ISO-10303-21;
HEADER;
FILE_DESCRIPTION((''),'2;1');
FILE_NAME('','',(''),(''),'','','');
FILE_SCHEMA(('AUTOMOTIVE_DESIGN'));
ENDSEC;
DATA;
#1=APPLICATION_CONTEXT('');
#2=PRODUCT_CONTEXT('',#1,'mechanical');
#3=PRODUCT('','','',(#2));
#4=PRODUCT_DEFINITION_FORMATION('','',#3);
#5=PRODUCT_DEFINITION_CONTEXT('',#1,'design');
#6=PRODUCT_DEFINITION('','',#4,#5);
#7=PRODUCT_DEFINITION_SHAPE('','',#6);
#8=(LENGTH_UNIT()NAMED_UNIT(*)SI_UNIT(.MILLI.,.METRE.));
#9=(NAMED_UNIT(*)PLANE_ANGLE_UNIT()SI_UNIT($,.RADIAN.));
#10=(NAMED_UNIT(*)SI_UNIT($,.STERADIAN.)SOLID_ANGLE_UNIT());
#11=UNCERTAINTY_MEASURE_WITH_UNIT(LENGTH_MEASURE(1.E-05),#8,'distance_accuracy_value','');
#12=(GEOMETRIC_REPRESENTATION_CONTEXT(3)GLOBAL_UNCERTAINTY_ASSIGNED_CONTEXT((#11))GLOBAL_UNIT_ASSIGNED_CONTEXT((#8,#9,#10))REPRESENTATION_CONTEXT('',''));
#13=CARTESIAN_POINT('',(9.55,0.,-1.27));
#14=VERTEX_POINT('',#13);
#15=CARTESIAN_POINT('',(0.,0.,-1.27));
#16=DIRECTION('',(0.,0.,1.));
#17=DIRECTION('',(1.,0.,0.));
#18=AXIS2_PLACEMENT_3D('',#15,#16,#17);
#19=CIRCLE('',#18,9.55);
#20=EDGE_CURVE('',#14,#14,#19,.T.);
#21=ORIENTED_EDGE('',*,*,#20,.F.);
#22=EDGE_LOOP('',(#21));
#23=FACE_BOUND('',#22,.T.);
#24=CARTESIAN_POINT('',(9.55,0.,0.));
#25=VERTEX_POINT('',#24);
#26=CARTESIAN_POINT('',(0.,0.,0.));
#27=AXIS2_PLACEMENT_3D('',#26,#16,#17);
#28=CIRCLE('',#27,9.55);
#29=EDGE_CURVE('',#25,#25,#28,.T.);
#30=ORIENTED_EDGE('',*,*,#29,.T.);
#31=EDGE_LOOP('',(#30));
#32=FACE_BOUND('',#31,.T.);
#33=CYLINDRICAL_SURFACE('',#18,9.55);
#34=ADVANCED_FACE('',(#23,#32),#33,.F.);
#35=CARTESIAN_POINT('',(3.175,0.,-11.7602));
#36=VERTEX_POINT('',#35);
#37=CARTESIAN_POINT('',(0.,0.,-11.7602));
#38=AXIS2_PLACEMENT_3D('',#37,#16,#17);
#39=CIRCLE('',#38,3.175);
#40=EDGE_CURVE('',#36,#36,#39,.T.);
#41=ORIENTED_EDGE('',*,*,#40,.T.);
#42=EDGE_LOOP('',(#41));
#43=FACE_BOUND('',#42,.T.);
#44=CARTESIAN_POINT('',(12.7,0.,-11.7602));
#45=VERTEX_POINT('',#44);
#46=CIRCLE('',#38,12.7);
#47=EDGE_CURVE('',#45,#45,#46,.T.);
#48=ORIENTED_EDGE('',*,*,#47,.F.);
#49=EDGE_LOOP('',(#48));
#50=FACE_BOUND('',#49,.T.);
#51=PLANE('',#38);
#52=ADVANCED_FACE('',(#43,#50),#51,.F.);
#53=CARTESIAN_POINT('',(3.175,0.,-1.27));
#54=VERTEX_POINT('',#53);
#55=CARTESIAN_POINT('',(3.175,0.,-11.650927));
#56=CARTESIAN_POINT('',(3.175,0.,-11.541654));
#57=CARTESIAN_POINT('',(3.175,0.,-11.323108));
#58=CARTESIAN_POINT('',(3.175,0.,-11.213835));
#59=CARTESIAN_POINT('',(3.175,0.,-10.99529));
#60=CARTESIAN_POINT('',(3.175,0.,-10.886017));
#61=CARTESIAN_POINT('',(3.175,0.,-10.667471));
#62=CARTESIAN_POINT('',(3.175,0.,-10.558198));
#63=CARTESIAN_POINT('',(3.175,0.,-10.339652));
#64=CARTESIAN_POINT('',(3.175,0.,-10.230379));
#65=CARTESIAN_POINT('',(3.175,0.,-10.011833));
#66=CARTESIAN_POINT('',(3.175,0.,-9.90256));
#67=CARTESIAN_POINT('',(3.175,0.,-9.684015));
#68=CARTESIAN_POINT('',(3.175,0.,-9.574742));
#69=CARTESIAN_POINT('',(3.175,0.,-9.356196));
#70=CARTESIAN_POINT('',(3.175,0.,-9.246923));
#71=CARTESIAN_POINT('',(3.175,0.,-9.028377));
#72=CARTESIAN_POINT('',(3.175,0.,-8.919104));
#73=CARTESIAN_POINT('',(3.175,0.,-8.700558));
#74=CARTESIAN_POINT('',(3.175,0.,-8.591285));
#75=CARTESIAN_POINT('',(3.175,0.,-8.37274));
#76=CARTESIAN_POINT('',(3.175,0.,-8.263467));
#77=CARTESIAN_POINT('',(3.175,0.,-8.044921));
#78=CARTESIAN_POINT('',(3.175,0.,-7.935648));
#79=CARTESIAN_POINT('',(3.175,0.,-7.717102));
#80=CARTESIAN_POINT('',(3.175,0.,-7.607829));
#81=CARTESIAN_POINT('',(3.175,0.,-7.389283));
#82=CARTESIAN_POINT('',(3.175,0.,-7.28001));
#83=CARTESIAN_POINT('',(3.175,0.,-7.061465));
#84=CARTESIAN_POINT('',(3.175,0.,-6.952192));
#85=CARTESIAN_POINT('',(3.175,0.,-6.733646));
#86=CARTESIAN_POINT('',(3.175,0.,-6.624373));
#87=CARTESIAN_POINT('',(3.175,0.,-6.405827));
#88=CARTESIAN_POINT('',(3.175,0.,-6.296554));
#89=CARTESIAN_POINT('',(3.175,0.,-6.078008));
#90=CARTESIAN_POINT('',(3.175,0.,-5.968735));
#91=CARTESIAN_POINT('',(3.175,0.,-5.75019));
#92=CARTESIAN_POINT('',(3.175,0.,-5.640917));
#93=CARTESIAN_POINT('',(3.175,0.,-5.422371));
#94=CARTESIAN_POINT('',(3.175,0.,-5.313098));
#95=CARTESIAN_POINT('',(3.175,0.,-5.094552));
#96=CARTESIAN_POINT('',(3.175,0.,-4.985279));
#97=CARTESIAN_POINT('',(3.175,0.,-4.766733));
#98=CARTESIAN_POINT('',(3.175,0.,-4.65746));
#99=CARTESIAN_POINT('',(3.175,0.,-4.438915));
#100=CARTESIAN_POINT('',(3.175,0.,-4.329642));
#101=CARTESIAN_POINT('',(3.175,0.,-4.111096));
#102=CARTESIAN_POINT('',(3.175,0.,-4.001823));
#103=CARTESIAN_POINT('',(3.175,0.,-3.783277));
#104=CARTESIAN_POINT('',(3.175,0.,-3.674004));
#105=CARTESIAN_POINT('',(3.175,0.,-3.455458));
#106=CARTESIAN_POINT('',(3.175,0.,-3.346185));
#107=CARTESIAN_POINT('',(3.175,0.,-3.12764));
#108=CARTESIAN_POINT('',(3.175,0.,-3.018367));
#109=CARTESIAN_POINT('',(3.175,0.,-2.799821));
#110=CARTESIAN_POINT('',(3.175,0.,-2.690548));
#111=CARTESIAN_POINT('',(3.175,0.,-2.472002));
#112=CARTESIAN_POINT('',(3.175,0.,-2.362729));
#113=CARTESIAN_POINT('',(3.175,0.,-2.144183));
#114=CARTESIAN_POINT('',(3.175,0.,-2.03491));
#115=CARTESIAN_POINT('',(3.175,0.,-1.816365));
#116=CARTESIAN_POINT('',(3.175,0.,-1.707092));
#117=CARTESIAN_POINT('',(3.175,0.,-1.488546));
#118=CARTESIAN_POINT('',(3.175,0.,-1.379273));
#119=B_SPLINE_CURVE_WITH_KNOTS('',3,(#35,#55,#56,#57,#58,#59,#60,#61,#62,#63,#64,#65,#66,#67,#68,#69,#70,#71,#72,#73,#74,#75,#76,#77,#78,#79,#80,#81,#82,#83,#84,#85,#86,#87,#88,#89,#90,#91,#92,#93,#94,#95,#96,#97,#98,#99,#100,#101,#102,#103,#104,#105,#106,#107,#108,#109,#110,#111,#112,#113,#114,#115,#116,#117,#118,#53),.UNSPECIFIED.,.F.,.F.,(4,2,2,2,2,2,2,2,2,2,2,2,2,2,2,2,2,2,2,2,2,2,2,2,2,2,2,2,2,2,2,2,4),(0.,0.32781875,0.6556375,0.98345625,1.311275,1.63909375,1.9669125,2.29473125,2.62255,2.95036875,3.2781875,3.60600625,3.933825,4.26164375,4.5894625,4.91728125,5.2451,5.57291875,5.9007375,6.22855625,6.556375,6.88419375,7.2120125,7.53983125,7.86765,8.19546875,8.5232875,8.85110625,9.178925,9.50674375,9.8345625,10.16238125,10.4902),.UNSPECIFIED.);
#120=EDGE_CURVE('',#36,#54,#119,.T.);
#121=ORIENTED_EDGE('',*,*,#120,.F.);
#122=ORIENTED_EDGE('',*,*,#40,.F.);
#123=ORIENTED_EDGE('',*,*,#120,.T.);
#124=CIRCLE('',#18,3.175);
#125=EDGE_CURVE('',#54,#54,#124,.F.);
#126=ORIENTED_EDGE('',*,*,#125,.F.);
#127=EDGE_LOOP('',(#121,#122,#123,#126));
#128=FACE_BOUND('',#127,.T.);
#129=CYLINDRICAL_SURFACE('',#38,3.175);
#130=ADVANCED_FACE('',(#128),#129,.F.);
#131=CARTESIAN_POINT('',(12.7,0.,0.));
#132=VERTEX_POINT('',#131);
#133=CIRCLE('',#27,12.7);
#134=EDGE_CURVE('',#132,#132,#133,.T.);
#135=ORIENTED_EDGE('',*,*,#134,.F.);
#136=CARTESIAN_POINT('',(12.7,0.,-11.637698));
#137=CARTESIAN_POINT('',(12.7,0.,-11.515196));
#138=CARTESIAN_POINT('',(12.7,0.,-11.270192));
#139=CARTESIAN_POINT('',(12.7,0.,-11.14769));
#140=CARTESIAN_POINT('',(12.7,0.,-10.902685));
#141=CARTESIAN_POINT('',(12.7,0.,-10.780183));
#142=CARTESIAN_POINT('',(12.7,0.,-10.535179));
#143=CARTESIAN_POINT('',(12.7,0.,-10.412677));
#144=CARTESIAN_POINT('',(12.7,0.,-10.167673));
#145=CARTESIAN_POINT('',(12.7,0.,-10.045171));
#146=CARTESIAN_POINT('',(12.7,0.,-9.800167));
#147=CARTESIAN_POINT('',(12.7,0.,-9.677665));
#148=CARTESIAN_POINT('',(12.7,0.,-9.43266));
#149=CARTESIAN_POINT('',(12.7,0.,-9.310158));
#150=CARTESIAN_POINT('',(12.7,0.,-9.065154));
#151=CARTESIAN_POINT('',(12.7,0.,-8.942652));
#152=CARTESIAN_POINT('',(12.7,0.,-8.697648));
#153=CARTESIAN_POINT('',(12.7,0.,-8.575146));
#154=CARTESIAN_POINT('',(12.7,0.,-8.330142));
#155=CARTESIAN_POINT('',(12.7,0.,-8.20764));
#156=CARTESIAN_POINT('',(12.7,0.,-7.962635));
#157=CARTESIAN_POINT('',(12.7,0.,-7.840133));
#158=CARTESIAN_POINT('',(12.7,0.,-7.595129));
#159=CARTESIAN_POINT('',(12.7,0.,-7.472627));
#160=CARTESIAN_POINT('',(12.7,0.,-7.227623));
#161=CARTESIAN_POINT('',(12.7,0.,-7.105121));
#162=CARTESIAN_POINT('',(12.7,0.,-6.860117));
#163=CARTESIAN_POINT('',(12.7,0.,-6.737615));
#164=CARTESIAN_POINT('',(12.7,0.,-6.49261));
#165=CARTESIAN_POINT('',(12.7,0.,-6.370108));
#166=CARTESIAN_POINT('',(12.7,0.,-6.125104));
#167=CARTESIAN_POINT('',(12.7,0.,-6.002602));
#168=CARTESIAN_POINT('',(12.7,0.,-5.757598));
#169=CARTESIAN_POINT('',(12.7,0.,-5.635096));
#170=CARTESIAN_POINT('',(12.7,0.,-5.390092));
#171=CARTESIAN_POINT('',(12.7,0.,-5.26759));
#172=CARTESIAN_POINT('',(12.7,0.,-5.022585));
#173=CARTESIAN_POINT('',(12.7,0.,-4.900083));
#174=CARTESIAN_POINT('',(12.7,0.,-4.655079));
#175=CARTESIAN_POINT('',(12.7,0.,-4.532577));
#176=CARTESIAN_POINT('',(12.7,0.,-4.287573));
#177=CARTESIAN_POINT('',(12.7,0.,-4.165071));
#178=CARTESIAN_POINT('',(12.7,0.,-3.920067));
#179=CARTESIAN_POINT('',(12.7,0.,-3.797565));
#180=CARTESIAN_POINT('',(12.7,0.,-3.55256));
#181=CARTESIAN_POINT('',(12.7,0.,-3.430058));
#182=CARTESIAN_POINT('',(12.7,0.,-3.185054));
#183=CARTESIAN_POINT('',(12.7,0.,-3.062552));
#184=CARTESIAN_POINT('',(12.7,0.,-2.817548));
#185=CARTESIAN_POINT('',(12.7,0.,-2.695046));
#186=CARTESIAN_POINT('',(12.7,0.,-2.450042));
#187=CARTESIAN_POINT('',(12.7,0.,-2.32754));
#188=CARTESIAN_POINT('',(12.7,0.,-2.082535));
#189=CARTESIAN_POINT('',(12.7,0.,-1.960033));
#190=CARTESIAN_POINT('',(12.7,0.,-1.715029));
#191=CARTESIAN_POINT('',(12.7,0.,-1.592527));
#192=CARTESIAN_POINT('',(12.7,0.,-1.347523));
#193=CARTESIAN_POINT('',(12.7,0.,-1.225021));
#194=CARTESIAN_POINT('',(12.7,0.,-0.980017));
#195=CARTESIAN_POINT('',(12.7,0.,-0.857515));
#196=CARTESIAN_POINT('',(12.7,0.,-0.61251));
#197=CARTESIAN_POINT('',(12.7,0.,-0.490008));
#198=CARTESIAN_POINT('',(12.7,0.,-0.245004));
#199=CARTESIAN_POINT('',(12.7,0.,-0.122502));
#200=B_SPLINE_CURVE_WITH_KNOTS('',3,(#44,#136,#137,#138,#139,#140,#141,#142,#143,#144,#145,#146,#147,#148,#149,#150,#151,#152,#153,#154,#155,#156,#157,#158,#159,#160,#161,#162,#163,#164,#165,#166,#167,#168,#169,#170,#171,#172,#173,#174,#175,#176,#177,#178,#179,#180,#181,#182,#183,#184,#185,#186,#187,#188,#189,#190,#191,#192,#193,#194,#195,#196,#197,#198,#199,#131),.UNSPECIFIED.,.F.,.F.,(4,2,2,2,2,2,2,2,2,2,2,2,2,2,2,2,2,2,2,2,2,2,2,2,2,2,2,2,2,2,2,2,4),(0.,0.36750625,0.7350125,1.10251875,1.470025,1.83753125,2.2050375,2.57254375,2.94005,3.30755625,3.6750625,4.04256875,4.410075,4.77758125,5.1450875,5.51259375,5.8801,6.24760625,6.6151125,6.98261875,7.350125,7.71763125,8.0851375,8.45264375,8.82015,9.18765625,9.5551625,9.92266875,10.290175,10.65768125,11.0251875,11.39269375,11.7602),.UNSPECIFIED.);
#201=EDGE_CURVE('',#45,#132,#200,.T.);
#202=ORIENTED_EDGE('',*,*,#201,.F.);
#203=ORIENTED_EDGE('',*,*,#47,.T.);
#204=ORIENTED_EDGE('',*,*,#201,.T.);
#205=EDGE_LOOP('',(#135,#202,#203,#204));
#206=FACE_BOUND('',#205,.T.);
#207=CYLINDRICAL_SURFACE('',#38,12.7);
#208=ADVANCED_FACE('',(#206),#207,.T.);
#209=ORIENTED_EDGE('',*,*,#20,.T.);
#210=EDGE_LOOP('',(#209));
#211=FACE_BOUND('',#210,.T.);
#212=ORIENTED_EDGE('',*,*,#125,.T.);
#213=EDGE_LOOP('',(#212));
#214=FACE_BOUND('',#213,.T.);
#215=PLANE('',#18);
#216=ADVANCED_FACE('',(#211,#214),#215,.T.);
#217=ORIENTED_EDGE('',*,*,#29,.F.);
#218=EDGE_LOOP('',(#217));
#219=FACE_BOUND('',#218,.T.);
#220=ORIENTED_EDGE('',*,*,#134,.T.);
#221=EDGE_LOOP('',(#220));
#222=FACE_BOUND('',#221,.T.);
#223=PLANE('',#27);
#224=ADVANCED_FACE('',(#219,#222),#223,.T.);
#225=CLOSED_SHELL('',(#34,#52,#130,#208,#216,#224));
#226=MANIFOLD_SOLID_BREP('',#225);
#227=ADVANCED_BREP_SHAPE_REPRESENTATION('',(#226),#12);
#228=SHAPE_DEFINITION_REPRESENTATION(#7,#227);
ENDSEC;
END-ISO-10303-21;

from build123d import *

# Parameters (mm, degrees)
SKETCH1_R          = 12.7
SKETCH1_R_2        = 3.175
EXTRUDE1_DEPTH     = 11.7602
SKETCH2_R          = 9.55
CUT_EXTRUDE1_DEPTH = 1.27


with BuildPart() as part:
    # Sketch1 → Extrude1 (new body)
    with BuildSketch(Plane.XY):
        Circle(SKETCH1_R)
        Circle(SKETCH1_R_2, mode=Mode.SUBTRACT)
    extrude(amount=-EXTRUDE1_DEPTH)

    # Sketch2 → Cut-Extrude1 (cut)
    with BuildSketch(Plane.XY):
        Circle(SKETCH2_R)
    extrude(amount=-CUT_EXTRUDE1_DEPTH, mode=Mode.SUBTRACT)


solid = part.part
